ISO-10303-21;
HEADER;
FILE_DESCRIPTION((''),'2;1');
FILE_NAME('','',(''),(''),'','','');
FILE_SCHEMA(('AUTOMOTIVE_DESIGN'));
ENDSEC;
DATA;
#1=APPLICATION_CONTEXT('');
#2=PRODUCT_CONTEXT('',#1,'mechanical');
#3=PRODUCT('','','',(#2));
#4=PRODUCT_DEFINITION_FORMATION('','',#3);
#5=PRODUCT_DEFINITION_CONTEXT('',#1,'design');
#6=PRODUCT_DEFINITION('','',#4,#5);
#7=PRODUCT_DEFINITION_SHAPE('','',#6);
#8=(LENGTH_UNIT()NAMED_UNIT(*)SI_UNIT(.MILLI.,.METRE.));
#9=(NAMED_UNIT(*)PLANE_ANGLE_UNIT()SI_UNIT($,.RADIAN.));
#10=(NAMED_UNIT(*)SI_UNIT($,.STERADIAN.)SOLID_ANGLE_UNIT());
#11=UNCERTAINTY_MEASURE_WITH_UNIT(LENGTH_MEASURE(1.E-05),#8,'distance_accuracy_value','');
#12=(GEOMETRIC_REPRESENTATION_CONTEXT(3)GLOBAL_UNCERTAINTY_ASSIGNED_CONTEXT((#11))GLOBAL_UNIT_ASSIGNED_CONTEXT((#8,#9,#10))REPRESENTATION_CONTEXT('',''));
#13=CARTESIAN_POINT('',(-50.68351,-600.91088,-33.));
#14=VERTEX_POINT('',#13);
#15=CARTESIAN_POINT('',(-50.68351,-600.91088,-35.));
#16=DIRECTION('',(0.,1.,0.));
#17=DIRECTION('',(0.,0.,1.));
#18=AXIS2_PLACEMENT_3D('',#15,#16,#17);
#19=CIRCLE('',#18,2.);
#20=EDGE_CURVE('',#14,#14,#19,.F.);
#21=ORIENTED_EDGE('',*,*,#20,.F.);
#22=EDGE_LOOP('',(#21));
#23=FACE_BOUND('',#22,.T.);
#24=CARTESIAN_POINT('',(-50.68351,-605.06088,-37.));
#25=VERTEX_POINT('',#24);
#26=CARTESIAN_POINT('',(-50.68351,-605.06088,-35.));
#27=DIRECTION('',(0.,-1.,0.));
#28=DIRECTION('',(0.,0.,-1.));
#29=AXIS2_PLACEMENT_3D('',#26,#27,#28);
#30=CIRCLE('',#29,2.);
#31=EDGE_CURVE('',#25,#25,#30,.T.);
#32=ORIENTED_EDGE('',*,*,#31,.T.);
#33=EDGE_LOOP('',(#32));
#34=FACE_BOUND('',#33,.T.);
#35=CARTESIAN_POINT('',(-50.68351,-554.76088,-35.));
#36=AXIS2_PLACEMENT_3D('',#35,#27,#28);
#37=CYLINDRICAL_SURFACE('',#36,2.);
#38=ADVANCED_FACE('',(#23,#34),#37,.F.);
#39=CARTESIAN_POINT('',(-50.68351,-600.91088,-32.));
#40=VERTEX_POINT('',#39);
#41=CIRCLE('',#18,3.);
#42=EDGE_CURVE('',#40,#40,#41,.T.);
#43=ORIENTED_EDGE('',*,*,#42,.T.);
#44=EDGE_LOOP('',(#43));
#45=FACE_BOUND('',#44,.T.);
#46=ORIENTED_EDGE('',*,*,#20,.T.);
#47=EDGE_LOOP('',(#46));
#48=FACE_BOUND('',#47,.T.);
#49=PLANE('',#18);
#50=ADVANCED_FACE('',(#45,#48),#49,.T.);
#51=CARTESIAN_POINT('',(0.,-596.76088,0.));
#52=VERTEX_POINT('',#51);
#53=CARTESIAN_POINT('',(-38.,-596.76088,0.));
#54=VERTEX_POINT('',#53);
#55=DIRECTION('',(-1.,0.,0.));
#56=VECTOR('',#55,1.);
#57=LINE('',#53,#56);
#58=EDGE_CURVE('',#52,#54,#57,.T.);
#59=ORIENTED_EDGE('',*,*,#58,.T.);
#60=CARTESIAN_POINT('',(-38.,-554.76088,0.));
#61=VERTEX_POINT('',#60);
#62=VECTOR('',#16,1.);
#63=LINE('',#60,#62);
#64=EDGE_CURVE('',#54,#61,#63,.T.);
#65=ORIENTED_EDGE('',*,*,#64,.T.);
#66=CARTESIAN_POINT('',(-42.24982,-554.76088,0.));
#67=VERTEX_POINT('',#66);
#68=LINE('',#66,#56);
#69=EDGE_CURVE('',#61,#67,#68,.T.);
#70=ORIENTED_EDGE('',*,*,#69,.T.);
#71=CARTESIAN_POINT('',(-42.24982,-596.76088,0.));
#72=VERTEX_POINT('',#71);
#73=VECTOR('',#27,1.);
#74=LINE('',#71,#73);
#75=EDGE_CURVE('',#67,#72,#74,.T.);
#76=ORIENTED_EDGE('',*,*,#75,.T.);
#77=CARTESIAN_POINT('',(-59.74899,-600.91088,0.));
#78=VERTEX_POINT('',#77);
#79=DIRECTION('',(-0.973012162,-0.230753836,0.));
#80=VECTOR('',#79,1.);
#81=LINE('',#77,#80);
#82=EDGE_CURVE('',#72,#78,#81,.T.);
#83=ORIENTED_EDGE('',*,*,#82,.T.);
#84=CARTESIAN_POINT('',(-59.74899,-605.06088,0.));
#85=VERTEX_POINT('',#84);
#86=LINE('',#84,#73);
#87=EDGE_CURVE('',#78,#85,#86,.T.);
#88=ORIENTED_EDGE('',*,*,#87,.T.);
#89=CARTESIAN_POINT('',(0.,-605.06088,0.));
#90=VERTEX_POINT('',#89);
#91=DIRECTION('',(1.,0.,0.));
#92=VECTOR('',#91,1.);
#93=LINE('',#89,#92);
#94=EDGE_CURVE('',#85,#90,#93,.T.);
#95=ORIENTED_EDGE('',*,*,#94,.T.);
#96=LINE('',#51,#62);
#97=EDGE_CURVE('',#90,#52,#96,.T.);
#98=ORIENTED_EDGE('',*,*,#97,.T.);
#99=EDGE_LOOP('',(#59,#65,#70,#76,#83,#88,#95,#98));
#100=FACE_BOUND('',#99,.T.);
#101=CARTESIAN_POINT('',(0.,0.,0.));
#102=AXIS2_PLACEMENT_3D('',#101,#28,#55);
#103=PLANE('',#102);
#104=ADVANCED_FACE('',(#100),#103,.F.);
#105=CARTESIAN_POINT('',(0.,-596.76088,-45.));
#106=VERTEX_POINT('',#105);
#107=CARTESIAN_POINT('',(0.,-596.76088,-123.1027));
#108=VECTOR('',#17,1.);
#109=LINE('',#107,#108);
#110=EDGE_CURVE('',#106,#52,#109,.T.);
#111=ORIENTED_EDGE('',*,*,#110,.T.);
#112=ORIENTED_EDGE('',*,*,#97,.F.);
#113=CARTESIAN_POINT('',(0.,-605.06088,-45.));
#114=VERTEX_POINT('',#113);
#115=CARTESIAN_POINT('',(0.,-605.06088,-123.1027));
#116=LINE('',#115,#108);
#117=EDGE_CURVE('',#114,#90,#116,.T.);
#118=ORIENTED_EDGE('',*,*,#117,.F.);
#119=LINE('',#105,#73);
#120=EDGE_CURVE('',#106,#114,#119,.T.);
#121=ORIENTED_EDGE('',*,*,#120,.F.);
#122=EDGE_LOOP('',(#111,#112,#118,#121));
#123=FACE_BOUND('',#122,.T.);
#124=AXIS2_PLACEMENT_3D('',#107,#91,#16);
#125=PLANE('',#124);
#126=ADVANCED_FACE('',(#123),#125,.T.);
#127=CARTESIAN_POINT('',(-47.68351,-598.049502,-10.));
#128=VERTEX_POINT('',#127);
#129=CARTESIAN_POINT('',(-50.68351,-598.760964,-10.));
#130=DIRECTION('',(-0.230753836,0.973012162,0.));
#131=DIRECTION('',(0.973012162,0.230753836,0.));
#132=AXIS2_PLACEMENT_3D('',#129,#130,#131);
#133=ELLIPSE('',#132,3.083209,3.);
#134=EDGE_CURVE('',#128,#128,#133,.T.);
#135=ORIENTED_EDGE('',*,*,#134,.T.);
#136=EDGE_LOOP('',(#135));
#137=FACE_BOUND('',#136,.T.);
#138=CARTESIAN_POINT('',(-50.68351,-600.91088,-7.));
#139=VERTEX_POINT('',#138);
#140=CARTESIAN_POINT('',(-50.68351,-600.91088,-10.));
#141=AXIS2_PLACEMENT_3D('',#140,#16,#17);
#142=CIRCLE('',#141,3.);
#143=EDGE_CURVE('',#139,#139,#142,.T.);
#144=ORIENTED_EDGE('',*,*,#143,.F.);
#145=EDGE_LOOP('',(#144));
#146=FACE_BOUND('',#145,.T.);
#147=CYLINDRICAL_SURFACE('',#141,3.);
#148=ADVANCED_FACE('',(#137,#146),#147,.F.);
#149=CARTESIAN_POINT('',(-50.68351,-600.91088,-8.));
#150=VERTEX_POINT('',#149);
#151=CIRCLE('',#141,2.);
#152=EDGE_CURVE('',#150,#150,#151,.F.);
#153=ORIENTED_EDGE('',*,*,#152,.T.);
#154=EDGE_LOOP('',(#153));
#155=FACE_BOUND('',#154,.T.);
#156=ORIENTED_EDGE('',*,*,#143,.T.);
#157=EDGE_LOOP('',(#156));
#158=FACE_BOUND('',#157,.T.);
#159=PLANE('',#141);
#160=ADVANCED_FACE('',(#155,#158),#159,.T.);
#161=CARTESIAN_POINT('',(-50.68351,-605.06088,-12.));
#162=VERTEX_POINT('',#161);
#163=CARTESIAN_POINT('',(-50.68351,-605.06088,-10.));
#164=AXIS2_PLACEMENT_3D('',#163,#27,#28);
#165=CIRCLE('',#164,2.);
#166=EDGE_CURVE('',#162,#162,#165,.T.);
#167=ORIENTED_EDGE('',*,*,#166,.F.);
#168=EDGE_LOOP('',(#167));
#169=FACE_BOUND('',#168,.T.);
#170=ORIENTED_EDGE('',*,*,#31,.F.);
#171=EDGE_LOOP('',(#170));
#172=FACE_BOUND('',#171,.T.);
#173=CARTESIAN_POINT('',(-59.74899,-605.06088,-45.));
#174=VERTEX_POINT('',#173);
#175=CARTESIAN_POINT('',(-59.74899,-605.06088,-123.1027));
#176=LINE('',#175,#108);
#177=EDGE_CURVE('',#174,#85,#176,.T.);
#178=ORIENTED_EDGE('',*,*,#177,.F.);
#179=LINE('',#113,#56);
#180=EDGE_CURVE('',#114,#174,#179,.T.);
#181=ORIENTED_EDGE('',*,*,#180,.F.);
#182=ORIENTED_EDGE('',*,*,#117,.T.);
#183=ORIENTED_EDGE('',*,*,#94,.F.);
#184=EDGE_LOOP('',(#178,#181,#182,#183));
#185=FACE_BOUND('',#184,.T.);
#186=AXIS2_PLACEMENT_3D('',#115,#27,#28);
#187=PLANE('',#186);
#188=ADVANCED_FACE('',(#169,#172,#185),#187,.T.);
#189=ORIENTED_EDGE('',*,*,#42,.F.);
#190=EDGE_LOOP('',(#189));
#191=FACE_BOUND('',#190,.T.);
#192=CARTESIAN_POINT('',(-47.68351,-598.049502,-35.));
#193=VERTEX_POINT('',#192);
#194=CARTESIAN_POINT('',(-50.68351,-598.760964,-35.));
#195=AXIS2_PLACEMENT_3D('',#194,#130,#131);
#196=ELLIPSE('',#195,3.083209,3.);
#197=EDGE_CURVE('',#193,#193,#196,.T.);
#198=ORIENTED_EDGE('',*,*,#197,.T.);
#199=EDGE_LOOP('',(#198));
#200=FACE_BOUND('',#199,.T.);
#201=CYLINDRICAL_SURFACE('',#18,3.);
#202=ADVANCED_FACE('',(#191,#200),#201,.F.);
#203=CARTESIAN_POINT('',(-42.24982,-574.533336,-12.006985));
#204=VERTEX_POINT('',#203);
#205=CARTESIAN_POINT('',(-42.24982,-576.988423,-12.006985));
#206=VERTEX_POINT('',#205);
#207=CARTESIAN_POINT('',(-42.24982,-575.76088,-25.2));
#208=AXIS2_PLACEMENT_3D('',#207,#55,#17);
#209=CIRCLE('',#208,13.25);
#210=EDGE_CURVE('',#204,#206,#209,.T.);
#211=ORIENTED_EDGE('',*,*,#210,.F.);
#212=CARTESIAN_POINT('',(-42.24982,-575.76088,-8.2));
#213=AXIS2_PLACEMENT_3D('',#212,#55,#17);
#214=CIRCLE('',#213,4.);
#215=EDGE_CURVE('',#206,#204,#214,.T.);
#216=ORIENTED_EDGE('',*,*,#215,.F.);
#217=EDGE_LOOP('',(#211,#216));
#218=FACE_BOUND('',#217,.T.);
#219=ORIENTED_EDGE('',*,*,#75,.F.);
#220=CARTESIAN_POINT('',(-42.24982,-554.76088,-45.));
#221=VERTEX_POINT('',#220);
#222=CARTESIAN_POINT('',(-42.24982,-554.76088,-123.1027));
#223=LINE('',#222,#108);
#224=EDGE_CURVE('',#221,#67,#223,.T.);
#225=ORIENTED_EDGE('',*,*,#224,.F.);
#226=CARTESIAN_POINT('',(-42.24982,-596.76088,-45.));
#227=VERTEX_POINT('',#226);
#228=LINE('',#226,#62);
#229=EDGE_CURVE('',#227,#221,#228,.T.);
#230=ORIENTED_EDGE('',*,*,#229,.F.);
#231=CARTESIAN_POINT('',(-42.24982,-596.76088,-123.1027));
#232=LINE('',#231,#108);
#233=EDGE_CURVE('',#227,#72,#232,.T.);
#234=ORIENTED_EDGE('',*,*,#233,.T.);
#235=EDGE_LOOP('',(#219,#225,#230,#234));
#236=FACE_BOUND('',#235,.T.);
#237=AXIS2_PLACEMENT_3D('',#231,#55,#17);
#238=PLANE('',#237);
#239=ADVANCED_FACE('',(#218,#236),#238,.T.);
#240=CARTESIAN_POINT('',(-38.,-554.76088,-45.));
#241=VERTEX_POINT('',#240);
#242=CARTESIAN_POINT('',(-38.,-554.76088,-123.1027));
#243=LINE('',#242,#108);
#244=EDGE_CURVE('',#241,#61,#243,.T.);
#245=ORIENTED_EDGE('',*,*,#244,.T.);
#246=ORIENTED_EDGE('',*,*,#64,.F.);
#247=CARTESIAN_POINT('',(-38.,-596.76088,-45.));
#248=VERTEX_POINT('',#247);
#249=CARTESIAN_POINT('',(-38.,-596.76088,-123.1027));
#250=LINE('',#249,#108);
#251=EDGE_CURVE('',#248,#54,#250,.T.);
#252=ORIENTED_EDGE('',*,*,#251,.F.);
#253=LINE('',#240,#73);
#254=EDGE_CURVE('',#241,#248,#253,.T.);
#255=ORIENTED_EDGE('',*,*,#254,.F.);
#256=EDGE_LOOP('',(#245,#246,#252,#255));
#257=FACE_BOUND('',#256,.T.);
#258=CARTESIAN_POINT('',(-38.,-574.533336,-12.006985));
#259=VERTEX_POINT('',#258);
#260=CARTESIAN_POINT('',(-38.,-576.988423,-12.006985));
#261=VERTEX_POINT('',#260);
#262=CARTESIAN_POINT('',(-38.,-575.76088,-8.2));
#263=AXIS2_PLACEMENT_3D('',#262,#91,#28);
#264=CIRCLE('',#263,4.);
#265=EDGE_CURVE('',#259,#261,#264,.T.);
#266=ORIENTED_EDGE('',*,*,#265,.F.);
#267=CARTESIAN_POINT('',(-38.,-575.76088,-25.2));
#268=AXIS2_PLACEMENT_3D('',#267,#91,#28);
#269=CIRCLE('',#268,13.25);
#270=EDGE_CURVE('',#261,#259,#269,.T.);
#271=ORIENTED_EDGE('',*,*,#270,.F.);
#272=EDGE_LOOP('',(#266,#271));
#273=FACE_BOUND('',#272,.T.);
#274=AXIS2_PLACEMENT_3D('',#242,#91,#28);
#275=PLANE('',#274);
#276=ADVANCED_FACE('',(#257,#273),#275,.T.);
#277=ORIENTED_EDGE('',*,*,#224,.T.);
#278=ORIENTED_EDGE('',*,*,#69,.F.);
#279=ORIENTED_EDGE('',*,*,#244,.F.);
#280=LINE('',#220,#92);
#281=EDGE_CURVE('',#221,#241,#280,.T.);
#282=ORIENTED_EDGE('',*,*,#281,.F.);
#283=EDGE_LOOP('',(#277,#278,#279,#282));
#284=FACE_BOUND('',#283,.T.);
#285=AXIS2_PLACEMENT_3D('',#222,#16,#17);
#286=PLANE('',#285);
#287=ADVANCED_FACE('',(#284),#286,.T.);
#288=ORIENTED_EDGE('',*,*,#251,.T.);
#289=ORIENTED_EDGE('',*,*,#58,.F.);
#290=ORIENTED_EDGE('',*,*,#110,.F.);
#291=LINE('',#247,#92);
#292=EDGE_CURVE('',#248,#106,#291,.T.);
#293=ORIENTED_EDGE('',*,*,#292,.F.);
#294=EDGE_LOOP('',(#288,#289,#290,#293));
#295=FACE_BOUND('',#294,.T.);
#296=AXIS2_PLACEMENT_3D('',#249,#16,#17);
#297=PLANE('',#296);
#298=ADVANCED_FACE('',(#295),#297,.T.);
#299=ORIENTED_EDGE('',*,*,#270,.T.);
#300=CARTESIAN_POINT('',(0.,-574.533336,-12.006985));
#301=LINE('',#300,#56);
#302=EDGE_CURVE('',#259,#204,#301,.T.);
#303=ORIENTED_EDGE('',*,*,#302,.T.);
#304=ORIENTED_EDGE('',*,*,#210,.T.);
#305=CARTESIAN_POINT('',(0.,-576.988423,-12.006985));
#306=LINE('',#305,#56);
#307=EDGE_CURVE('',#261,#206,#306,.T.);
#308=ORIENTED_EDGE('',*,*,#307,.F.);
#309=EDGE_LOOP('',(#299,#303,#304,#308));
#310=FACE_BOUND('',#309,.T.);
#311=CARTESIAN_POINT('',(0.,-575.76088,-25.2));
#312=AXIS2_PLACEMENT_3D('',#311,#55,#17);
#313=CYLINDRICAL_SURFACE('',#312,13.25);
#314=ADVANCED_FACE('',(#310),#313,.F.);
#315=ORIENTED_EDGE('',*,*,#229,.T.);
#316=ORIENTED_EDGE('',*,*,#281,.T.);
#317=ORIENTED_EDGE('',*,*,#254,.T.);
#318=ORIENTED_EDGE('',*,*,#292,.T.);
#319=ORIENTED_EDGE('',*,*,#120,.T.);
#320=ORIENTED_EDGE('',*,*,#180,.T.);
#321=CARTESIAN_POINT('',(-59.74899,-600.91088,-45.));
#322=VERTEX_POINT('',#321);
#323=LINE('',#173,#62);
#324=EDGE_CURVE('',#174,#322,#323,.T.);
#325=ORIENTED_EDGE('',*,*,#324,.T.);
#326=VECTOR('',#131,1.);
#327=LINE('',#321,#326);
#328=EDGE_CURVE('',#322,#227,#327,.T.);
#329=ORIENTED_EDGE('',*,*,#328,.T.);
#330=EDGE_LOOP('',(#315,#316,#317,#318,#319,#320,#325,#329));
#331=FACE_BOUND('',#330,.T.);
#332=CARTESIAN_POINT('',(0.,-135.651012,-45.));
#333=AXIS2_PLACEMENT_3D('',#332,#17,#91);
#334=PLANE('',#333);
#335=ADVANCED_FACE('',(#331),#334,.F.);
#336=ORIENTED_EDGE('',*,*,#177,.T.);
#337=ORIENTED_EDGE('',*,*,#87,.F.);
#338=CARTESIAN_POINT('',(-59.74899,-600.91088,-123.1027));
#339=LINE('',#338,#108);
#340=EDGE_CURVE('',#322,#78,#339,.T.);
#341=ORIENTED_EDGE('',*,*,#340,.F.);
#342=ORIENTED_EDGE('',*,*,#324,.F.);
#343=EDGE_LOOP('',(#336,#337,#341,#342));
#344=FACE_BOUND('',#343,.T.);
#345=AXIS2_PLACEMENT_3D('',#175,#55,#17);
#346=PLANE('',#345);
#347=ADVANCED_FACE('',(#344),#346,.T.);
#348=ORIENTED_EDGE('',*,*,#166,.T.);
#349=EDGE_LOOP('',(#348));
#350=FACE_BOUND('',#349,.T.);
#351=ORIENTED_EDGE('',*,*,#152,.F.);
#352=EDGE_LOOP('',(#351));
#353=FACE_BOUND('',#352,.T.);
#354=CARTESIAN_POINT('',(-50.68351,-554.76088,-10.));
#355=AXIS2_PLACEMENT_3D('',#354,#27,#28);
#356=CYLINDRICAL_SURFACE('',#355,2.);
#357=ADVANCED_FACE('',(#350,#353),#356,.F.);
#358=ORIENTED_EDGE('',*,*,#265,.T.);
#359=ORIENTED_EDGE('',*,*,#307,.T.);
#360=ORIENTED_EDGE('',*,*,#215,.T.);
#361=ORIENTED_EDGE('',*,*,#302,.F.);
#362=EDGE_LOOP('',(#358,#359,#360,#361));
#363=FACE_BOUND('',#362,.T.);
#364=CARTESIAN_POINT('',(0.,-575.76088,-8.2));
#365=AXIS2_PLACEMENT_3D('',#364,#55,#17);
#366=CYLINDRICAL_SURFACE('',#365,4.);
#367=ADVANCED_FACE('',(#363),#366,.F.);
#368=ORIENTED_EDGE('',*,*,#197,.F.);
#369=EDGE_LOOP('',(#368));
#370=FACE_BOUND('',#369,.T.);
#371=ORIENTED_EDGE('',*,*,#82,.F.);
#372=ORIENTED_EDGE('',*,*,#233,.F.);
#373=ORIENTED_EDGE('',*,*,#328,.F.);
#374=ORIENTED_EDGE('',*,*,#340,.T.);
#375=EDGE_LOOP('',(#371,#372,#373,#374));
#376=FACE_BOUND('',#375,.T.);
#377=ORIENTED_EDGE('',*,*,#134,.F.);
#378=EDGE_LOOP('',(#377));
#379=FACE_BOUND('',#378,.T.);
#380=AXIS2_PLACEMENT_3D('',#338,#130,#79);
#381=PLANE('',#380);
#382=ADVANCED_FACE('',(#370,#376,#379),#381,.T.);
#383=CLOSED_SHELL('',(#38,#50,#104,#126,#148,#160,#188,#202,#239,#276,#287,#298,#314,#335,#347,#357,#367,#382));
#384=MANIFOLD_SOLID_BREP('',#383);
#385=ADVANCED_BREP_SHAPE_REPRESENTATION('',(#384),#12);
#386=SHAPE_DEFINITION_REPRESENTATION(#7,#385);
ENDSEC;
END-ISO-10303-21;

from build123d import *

# Parameters (mm, degrees)
BOSS_EXTRU_1_DEPTH      = 45
ENL_V_MAT_EXTRU_1_DEPTH = 609.201213002
ESQUISSE3_R             = 2
ENL_V_MAT_EXTRU_2_DEPTH = 91.138958208
ESQUISSE4_R             = 3
ENL_V_MAT_EXTRU_3_DEPTH = 46.15


with BuildPart() as part:
    # Esquisse1 → Boss.-Extru.1 (new body)
    with BuildSketch(Plane.XY):
        Polygon((-38, -554.760879723), (-38, -596.760879723), (0, -596.760879723), (0, -605.060879723), (-59.74898984, -605.060879723), (-59.74898984, -600.910879723), (-42.249820419, -596.760879723), (-42.249820419, -554.760879723), align=None)
    extrude(amount=-BOSS_EXTRU_1_DEPTH)

    # Esquisse2 → Enlèv. mat.-Extru.1 (cut, through all)
    with BuildSketch(Plane.ZY.offset(42.249820419)):
        with BuildLine():
            ThreePointArc((-12.006985294, -576.988423193), (-4.2, -575.760879723), (-12.006985294, -574.533336253))
            ThreePointArc((-12.006985294, -574.533336253), (-38.45, -575.760879723), (-12.006985294, -576.988423193))
        make_face()
    extrude(amount=-ENL_V_MAT_EXTRU_1_DEPTH, mode=Mode.SUBTRACT)

    # Esquisse3 → Enlèv. mat.-Extru.2 (cut, through all)
    with BuildSketch(Plane.XZ.offset(605.060879723)):
        with Locations(Location((-50.683510071, -35, 0), (0, 0, 270))):
            Circle(ESQUISSE3_R)
        with Locations(Location((-50.683510071, -10, 0), (0, 0, 270))):
            Circle(ESQUISSE3_R)
    extrude(amount=-ENL_V_MAT_EXTRU_2_DEPTH, mode=Mode.SUBTRACT)

    # Esquisse4 → Enlèv. mat.-Extru.3 (cut)
    with BuildSketch(Plane(origin=(0, -554.760879723, 0), x_dir=(1, 0, 0), z_dir=(0, 1, 0))):
        with Locations(Location((-50.683510071, 10, 0), (0, 0, 270))):
            Circle(ESQUISSE4_R)
        with Locations(Location((-50.683510071, 35, 0), (0, 0, 270))):
            Circle(ESQUISSE4_R)
    extrude(amount=-ENL_V_MAT_EXTRU_3_DEPTH, mode=Mode.SUBTRACT)


solid = part.part
